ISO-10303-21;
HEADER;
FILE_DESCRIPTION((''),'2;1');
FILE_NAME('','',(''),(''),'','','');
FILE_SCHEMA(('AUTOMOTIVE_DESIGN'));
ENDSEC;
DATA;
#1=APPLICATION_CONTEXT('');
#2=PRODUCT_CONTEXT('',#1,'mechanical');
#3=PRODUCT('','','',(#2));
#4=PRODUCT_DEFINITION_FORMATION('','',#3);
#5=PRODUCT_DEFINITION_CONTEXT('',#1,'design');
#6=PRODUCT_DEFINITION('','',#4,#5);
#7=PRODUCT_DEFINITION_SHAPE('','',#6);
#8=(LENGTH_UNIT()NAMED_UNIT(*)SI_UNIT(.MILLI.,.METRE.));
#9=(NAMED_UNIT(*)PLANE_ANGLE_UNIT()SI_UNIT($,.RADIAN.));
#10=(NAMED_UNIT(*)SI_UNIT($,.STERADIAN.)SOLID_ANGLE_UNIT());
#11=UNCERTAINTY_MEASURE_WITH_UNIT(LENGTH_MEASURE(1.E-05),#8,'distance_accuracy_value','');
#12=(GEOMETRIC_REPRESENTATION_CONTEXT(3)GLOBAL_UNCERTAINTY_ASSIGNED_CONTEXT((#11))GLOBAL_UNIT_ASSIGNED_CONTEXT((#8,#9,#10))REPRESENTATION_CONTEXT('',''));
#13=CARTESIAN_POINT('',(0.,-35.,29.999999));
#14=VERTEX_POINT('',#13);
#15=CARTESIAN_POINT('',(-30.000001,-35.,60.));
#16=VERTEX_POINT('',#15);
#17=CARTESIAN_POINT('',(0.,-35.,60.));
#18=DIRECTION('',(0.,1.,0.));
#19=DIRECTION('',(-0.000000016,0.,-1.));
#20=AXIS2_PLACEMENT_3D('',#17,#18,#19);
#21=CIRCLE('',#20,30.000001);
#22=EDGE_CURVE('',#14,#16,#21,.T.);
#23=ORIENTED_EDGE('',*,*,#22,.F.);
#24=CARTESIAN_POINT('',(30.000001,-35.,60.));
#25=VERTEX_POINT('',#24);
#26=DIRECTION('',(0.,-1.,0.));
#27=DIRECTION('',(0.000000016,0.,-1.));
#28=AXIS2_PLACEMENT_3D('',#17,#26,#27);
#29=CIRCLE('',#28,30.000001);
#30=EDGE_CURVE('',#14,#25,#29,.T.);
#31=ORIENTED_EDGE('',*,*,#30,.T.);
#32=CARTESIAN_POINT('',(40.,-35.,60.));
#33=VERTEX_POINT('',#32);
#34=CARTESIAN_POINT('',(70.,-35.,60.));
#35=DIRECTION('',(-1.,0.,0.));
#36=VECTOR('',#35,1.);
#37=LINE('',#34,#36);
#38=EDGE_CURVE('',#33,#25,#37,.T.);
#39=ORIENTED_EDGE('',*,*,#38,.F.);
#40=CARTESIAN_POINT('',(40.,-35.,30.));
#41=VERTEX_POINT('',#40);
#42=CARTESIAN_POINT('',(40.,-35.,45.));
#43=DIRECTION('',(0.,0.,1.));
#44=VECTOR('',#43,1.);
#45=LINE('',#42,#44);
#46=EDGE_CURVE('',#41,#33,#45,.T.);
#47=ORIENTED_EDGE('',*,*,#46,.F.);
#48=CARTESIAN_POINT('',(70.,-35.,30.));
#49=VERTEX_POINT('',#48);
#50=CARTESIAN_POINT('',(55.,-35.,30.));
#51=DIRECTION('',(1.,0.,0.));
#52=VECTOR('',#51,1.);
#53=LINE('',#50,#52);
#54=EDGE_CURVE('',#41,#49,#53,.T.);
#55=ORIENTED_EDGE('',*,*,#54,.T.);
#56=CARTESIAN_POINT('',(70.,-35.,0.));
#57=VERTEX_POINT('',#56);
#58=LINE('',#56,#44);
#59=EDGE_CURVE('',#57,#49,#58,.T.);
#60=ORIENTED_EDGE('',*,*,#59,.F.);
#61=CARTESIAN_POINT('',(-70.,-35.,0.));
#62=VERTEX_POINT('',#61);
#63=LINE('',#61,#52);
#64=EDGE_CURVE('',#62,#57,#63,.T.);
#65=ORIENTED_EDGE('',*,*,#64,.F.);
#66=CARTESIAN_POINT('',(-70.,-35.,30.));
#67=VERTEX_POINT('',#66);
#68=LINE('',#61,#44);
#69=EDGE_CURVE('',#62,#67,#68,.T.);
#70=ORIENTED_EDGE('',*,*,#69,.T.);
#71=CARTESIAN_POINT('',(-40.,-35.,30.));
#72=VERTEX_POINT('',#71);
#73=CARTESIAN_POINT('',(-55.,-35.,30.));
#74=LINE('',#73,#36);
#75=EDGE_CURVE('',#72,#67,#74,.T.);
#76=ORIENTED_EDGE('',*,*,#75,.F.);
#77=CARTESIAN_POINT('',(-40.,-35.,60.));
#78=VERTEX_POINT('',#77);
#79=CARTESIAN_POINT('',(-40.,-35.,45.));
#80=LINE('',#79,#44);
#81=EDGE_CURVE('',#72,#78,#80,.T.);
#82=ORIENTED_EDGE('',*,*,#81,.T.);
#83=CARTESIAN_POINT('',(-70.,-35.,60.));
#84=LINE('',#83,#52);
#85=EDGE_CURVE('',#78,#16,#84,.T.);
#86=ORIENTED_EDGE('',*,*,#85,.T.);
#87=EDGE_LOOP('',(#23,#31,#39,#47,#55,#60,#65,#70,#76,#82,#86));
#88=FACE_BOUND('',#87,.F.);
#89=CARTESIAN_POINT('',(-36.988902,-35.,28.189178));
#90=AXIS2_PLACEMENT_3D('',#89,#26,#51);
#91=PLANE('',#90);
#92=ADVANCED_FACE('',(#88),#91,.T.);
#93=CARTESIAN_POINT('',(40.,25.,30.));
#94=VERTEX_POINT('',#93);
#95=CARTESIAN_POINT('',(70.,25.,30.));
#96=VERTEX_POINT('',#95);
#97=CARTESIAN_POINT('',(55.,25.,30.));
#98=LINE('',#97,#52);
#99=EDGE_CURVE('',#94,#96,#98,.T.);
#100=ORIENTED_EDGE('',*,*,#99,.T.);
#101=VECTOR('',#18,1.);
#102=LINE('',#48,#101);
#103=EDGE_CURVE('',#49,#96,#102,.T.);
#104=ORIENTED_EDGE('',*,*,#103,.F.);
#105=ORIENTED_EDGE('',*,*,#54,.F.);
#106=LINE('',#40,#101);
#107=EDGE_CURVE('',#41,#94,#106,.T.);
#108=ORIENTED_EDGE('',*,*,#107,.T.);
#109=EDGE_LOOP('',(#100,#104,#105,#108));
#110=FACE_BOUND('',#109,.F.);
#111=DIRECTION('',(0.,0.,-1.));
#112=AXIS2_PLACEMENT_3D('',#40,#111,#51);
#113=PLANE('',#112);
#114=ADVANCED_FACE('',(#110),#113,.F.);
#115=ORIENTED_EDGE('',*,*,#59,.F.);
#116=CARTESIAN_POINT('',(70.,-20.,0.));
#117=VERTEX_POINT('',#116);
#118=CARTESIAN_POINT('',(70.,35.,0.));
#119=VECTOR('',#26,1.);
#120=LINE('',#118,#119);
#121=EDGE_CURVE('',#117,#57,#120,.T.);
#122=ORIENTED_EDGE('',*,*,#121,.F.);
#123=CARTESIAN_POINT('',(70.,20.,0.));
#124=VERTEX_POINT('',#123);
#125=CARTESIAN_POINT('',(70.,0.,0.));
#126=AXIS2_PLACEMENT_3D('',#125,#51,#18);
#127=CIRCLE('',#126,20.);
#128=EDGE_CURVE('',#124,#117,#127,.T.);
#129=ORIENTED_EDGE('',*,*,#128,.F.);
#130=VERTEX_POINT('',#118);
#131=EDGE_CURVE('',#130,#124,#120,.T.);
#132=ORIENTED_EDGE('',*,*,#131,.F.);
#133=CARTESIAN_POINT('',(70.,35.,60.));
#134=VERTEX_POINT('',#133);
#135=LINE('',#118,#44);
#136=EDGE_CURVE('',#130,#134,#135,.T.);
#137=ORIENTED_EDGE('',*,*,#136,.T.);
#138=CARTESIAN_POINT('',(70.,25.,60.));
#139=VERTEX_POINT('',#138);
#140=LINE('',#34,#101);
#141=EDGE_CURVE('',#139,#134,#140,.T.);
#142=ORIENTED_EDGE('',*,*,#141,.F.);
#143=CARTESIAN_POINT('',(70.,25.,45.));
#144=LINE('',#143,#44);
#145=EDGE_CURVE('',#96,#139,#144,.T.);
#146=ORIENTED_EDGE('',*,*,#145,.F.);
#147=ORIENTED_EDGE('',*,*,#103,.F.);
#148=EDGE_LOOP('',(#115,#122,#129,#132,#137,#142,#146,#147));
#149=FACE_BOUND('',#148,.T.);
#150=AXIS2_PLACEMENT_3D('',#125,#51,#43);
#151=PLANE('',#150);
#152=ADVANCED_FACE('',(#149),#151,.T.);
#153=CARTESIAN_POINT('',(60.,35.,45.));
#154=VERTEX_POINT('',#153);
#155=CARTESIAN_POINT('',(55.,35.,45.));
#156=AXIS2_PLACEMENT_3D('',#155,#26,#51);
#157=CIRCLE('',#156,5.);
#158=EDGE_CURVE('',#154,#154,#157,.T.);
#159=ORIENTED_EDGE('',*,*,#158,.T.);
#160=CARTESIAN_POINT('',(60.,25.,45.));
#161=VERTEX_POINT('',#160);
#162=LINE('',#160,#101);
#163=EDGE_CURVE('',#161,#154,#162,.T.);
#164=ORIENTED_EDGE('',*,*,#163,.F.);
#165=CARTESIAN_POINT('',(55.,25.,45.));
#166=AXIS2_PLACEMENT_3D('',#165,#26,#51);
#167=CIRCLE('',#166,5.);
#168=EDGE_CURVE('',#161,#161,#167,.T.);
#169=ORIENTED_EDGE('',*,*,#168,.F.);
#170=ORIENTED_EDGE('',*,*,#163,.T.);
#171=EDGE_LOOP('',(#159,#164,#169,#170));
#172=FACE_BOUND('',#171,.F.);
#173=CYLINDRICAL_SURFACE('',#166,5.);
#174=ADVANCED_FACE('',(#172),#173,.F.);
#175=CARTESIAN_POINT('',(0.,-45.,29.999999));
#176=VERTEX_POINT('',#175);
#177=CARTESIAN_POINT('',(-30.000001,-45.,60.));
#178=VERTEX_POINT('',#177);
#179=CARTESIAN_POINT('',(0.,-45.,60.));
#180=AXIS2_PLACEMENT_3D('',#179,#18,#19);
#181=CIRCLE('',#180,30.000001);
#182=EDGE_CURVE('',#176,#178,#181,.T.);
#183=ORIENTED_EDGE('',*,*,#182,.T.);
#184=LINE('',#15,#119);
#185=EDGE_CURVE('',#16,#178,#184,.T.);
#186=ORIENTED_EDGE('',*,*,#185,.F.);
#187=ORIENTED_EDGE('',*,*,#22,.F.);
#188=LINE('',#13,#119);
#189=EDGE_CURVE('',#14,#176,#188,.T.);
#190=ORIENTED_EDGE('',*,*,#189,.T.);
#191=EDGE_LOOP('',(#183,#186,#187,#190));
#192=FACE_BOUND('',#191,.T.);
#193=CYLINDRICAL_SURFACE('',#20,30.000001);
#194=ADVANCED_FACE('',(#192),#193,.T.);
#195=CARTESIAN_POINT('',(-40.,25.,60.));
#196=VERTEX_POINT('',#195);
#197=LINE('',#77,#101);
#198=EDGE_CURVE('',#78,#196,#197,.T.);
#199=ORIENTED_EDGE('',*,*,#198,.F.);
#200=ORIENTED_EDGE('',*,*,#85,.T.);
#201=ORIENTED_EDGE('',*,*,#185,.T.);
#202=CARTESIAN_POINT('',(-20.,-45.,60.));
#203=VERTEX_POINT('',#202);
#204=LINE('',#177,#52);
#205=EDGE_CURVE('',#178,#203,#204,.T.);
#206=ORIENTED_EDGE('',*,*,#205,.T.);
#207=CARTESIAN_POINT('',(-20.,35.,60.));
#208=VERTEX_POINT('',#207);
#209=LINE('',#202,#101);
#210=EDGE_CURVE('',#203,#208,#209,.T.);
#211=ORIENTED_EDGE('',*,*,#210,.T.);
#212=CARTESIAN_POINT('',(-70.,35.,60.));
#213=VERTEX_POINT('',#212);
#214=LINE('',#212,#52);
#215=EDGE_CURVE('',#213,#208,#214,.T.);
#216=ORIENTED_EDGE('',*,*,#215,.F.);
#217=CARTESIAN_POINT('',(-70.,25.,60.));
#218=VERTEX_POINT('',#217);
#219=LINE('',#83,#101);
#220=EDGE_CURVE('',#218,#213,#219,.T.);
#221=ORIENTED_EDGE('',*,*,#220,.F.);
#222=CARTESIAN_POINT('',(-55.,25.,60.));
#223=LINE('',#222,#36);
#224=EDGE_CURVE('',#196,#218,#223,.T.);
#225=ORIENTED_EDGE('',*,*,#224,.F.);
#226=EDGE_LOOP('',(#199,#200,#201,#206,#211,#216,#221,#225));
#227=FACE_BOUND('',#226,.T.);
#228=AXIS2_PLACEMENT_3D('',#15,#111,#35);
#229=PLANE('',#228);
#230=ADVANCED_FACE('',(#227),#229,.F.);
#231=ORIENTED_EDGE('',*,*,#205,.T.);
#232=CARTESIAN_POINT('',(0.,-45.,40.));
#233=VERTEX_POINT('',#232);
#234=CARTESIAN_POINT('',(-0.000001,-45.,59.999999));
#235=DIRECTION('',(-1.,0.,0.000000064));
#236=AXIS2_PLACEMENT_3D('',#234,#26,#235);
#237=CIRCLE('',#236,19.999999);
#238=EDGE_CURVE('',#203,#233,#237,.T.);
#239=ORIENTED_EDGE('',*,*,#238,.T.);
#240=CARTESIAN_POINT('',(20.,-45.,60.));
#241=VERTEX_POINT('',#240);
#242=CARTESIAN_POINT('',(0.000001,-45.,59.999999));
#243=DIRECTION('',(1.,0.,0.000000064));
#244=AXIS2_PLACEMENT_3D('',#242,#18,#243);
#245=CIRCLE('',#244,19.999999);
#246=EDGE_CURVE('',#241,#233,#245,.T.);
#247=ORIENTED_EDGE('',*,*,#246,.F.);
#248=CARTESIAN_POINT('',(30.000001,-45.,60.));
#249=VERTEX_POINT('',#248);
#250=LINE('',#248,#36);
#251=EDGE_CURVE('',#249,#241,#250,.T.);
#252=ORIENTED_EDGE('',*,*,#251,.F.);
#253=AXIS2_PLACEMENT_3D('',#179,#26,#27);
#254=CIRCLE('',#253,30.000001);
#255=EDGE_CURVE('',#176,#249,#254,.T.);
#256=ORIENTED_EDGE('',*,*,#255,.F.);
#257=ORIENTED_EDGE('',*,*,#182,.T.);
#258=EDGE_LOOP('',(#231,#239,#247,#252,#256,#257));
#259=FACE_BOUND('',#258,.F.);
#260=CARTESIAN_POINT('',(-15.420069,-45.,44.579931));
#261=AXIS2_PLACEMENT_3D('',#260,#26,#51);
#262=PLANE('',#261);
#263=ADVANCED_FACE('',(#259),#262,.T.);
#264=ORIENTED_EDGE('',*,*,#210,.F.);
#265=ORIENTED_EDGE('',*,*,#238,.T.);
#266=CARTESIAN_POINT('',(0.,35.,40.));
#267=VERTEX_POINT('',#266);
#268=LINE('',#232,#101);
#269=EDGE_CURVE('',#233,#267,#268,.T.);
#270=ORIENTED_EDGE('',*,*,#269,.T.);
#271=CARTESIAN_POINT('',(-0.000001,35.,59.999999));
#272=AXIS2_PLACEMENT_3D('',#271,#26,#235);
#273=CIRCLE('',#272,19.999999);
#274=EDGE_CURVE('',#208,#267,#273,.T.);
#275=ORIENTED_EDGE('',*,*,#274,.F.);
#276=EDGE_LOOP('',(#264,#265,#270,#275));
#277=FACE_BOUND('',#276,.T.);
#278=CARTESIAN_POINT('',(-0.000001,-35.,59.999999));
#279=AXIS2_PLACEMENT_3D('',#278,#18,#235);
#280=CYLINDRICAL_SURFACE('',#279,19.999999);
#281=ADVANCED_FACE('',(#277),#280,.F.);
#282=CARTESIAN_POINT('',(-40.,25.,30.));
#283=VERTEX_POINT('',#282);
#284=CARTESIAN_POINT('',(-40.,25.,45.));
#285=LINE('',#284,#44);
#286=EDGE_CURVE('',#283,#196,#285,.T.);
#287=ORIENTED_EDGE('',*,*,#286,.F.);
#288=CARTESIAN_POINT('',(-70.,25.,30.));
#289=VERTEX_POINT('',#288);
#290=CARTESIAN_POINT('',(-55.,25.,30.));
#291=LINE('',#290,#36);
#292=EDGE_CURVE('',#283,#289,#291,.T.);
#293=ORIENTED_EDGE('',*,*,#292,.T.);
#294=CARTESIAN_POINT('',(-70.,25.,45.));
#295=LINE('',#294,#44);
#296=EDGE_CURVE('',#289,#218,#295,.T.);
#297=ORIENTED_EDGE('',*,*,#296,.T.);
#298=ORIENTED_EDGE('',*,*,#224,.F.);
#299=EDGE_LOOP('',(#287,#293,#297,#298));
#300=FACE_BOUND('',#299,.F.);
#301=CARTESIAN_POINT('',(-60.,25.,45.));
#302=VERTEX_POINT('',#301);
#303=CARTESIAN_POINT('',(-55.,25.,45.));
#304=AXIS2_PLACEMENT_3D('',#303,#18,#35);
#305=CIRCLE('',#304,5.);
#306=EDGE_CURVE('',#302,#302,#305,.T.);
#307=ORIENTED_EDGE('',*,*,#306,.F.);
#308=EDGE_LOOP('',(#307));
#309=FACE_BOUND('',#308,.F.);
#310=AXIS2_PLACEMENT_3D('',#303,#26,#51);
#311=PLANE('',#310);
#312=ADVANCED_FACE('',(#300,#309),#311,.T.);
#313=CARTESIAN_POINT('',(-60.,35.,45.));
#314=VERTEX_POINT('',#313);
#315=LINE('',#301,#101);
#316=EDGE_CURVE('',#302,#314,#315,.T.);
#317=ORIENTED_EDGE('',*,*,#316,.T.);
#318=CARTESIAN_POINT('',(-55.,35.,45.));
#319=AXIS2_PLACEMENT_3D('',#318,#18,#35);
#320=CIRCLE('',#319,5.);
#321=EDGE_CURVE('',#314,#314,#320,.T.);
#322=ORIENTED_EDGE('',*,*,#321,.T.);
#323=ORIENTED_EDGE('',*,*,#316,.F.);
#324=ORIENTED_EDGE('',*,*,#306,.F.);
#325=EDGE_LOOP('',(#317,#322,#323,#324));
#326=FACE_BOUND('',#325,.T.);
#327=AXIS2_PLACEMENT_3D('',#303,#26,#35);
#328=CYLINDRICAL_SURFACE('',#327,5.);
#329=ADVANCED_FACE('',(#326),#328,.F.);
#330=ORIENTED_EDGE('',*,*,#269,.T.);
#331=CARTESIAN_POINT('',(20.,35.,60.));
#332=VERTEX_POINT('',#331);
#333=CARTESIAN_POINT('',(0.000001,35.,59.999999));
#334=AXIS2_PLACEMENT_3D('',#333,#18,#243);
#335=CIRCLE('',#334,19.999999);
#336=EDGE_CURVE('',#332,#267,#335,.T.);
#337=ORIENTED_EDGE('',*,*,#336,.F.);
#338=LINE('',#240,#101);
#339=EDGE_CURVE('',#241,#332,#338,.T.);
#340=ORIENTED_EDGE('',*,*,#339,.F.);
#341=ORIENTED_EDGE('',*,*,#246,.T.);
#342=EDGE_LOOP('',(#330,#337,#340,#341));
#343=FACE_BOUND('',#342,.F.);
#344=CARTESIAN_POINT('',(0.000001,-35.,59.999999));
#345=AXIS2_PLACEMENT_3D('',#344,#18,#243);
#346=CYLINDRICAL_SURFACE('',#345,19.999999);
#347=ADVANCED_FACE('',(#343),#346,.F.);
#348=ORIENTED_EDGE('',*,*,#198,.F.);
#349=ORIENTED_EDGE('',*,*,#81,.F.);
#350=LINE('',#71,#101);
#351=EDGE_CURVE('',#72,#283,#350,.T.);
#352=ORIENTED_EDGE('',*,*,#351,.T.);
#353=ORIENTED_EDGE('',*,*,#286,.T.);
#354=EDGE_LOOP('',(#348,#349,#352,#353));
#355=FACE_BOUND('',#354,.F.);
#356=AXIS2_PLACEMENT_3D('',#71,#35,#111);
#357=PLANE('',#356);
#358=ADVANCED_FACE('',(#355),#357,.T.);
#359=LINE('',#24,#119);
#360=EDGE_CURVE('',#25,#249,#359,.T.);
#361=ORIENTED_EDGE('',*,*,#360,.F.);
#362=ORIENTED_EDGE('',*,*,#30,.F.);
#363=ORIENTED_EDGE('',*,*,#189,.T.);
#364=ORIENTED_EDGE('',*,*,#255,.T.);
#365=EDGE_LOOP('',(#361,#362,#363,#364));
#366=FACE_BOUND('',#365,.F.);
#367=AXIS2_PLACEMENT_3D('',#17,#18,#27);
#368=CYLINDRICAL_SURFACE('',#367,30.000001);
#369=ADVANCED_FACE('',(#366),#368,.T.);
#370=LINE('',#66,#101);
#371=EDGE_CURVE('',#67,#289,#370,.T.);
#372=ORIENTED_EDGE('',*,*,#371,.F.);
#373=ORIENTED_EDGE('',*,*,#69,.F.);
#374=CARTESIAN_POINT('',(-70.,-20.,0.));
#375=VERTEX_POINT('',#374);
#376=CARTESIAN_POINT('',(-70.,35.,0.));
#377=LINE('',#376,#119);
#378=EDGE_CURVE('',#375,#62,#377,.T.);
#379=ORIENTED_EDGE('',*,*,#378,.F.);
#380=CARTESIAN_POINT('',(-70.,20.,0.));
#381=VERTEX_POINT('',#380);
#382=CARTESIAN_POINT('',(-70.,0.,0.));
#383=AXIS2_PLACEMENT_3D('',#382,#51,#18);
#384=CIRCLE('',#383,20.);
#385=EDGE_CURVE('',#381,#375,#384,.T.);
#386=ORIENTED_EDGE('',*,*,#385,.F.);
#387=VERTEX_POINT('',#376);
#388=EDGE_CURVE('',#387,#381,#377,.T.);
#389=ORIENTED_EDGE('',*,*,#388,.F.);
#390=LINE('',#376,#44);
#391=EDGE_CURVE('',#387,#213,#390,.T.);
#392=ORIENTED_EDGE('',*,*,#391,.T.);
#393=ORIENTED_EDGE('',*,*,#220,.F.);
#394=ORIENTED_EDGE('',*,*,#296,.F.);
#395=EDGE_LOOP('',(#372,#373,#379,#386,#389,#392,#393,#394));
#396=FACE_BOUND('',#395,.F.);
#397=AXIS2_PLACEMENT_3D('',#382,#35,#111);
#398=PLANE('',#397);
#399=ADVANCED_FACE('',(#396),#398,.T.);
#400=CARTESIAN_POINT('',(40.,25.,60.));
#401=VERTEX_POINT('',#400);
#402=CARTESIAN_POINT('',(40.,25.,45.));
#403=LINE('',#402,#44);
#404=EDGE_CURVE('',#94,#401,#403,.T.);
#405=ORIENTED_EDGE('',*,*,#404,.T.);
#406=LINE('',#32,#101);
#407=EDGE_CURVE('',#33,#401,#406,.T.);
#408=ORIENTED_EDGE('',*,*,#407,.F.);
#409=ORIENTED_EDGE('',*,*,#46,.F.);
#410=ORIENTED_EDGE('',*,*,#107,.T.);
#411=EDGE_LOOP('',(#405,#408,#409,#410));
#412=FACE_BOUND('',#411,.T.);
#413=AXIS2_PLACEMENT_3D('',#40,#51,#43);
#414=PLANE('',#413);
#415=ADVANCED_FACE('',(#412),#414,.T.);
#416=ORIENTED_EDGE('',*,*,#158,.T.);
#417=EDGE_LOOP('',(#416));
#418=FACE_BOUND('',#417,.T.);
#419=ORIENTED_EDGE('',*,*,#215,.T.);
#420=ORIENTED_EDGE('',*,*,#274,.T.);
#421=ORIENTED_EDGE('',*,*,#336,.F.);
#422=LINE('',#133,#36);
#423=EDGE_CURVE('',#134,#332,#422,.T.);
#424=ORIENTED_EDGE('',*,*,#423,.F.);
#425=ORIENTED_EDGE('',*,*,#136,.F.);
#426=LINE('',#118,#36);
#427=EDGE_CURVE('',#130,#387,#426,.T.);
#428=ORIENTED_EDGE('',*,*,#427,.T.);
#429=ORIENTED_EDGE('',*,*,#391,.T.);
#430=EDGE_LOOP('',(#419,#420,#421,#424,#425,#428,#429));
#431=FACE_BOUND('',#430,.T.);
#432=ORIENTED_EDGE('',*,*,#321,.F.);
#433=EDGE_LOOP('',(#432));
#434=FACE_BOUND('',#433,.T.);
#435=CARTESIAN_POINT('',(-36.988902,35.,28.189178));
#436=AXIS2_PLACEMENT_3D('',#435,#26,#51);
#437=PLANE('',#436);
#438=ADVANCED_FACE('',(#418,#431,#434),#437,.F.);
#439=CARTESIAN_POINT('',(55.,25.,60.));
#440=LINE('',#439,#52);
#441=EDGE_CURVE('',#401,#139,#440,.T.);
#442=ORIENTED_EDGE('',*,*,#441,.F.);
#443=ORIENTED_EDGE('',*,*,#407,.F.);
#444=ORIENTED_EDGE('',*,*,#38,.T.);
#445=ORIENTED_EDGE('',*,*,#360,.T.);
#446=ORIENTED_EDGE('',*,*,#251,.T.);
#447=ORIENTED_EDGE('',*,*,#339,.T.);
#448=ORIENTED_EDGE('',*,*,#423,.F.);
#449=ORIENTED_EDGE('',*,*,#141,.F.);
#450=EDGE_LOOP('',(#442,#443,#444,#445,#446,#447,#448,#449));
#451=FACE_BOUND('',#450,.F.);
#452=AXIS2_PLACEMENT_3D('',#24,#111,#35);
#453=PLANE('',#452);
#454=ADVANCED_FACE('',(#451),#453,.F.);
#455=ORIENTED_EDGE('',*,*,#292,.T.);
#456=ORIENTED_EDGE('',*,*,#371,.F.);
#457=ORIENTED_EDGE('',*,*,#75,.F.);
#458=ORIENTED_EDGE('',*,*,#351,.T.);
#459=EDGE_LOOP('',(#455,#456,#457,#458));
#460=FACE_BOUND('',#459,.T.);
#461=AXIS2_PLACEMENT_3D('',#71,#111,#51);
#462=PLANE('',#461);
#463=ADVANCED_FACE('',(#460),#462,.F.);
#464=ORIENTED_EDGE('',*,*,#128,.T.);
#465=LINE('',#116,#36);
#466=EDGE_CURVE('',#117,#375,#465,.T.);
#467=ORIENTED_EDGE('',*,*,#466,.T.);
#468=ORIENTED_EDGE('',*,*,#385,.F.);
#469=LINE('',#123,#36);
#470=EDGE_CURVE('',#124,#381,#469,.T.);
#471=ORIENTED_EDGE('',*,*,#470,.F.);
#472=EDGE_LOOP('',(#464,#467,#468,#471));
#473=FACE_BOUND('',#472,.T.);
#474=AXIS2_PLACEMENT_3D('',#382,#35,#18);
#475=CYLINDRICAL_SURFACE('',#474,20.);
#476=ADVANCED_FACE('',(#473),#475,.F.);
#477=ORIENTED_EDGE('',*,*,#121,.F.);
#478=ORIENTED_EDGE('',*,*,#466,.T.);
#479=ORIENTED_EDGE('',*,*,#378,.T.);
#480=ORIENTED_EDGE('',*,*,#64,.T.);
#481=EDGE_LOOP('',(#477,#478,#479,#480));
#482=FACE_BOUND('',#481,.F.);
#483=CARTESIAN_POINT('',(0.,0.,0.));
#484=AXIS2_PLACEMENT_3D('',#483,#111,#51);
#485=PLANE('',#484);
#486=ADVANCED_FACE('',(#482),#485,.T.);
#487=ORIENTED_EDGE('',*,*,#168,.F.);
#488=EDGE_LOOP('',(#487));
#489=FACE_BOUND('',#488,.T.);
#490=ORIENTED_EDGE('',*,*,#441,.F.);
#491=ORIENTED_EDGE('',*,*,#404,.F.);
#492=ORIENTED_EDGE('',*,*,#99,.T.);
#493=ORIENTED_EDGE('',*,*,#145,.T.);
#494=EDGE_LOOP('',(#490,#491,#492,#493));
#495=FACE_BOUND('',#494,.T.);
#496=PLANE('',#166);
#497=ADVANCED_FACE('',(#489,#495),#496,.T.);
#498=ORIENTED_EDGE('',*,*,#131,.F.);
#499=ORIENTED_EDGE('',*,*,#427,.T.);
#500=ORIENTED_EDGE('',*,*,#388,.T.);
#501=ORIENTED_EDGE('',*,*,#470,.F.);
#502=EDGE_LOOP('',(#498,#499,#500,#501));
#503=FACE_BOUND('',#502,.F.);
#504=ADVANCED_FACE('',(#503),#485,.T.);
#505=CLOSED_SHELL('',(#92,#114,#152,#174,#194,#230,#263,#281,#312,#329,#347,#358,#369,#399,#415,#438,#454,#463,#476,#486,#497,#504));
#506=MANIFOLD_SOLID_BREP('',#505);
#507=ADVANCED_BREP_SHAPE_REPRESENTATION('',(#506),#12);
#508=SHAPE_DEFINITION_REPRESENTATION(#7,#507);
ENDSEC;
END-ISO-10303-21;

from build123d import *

# Parameters (mm, degrees)
F1_DEPTH = 35
F2_W     = 30
F2_H     = 30
F3_DEPTH = 60
F4_R     = 5
F5_DEPTH = 10.001
F7_DEPTH = 70.001
F9_DEPTH = 10


with BuildPart() as f1:
    # F0 (on Front) → F1 (new body, symmetric)
    with BuildSketch(Plane.XZ):
        with BuildLine():
            Line((0, 40), (0, 0))
            Line((0, 0), (70, 0))
            Line((70, 0), (70, 60))
            Line((70, 60), (20, 60))
            ThreePointArc((20, 60), (14.142136, 45.857864), (0, 40))
        make_face()
    extrude(amount=F1_DEPTH, both=True)

    # F2 (on face) → F3 (cut)
    with BuildSketch(Plane.XZ.offset(35)):
        with Locations((55, 45)):
            Rectangle(F2_W, F2_H)
    extrude(amount=-F3_DEPTH, mode=Mode.SUBTRACT)

    # F4 (on face) → F5 (cut, through all)
    with BuildSketch(Plane.XZ.offset(-25)):
        with Locations((55, 45)):
            Circle(F4_R)
    extrude(amount=-F5_DEPTH, mode=Mode.SUBTRACT)

    # F6 (on face) → F7 (cut, through all)
    with BuildSketch(Plane.YZ.offset(70)):
        with BuildLine():
            ThreePointArc((20, 0), (0, 20), (-20, 0))
            Line((-20, 0), (20, 0))
        make_face()
    extrude(amount=-F7_DEPTH, mode=Mode.SUBTRACT)

    # F8 (on face) → F9 (join)
    with BuildSketch(Plane.XZ.offset(35)):
        with BuildLine():
            Line((0, 40), (0, 29.999999))
            ThreePointArc((0, 29.999999), (21.213204, 38.786796), (30.000001, 60))
            Line((30.000001, 60), (20, 60))
            ThreePointArc((20, 60), (14.142136, 45.857864), (0, 40))
        make_face()
    extrude(amount=F9_DEPTH)

    # F10: F1 across plane


with BuildPart() as f1_1:
    add(f1.part)
    add(f1.part.mirror(Plane.YZ))


solid = f1_1.part
